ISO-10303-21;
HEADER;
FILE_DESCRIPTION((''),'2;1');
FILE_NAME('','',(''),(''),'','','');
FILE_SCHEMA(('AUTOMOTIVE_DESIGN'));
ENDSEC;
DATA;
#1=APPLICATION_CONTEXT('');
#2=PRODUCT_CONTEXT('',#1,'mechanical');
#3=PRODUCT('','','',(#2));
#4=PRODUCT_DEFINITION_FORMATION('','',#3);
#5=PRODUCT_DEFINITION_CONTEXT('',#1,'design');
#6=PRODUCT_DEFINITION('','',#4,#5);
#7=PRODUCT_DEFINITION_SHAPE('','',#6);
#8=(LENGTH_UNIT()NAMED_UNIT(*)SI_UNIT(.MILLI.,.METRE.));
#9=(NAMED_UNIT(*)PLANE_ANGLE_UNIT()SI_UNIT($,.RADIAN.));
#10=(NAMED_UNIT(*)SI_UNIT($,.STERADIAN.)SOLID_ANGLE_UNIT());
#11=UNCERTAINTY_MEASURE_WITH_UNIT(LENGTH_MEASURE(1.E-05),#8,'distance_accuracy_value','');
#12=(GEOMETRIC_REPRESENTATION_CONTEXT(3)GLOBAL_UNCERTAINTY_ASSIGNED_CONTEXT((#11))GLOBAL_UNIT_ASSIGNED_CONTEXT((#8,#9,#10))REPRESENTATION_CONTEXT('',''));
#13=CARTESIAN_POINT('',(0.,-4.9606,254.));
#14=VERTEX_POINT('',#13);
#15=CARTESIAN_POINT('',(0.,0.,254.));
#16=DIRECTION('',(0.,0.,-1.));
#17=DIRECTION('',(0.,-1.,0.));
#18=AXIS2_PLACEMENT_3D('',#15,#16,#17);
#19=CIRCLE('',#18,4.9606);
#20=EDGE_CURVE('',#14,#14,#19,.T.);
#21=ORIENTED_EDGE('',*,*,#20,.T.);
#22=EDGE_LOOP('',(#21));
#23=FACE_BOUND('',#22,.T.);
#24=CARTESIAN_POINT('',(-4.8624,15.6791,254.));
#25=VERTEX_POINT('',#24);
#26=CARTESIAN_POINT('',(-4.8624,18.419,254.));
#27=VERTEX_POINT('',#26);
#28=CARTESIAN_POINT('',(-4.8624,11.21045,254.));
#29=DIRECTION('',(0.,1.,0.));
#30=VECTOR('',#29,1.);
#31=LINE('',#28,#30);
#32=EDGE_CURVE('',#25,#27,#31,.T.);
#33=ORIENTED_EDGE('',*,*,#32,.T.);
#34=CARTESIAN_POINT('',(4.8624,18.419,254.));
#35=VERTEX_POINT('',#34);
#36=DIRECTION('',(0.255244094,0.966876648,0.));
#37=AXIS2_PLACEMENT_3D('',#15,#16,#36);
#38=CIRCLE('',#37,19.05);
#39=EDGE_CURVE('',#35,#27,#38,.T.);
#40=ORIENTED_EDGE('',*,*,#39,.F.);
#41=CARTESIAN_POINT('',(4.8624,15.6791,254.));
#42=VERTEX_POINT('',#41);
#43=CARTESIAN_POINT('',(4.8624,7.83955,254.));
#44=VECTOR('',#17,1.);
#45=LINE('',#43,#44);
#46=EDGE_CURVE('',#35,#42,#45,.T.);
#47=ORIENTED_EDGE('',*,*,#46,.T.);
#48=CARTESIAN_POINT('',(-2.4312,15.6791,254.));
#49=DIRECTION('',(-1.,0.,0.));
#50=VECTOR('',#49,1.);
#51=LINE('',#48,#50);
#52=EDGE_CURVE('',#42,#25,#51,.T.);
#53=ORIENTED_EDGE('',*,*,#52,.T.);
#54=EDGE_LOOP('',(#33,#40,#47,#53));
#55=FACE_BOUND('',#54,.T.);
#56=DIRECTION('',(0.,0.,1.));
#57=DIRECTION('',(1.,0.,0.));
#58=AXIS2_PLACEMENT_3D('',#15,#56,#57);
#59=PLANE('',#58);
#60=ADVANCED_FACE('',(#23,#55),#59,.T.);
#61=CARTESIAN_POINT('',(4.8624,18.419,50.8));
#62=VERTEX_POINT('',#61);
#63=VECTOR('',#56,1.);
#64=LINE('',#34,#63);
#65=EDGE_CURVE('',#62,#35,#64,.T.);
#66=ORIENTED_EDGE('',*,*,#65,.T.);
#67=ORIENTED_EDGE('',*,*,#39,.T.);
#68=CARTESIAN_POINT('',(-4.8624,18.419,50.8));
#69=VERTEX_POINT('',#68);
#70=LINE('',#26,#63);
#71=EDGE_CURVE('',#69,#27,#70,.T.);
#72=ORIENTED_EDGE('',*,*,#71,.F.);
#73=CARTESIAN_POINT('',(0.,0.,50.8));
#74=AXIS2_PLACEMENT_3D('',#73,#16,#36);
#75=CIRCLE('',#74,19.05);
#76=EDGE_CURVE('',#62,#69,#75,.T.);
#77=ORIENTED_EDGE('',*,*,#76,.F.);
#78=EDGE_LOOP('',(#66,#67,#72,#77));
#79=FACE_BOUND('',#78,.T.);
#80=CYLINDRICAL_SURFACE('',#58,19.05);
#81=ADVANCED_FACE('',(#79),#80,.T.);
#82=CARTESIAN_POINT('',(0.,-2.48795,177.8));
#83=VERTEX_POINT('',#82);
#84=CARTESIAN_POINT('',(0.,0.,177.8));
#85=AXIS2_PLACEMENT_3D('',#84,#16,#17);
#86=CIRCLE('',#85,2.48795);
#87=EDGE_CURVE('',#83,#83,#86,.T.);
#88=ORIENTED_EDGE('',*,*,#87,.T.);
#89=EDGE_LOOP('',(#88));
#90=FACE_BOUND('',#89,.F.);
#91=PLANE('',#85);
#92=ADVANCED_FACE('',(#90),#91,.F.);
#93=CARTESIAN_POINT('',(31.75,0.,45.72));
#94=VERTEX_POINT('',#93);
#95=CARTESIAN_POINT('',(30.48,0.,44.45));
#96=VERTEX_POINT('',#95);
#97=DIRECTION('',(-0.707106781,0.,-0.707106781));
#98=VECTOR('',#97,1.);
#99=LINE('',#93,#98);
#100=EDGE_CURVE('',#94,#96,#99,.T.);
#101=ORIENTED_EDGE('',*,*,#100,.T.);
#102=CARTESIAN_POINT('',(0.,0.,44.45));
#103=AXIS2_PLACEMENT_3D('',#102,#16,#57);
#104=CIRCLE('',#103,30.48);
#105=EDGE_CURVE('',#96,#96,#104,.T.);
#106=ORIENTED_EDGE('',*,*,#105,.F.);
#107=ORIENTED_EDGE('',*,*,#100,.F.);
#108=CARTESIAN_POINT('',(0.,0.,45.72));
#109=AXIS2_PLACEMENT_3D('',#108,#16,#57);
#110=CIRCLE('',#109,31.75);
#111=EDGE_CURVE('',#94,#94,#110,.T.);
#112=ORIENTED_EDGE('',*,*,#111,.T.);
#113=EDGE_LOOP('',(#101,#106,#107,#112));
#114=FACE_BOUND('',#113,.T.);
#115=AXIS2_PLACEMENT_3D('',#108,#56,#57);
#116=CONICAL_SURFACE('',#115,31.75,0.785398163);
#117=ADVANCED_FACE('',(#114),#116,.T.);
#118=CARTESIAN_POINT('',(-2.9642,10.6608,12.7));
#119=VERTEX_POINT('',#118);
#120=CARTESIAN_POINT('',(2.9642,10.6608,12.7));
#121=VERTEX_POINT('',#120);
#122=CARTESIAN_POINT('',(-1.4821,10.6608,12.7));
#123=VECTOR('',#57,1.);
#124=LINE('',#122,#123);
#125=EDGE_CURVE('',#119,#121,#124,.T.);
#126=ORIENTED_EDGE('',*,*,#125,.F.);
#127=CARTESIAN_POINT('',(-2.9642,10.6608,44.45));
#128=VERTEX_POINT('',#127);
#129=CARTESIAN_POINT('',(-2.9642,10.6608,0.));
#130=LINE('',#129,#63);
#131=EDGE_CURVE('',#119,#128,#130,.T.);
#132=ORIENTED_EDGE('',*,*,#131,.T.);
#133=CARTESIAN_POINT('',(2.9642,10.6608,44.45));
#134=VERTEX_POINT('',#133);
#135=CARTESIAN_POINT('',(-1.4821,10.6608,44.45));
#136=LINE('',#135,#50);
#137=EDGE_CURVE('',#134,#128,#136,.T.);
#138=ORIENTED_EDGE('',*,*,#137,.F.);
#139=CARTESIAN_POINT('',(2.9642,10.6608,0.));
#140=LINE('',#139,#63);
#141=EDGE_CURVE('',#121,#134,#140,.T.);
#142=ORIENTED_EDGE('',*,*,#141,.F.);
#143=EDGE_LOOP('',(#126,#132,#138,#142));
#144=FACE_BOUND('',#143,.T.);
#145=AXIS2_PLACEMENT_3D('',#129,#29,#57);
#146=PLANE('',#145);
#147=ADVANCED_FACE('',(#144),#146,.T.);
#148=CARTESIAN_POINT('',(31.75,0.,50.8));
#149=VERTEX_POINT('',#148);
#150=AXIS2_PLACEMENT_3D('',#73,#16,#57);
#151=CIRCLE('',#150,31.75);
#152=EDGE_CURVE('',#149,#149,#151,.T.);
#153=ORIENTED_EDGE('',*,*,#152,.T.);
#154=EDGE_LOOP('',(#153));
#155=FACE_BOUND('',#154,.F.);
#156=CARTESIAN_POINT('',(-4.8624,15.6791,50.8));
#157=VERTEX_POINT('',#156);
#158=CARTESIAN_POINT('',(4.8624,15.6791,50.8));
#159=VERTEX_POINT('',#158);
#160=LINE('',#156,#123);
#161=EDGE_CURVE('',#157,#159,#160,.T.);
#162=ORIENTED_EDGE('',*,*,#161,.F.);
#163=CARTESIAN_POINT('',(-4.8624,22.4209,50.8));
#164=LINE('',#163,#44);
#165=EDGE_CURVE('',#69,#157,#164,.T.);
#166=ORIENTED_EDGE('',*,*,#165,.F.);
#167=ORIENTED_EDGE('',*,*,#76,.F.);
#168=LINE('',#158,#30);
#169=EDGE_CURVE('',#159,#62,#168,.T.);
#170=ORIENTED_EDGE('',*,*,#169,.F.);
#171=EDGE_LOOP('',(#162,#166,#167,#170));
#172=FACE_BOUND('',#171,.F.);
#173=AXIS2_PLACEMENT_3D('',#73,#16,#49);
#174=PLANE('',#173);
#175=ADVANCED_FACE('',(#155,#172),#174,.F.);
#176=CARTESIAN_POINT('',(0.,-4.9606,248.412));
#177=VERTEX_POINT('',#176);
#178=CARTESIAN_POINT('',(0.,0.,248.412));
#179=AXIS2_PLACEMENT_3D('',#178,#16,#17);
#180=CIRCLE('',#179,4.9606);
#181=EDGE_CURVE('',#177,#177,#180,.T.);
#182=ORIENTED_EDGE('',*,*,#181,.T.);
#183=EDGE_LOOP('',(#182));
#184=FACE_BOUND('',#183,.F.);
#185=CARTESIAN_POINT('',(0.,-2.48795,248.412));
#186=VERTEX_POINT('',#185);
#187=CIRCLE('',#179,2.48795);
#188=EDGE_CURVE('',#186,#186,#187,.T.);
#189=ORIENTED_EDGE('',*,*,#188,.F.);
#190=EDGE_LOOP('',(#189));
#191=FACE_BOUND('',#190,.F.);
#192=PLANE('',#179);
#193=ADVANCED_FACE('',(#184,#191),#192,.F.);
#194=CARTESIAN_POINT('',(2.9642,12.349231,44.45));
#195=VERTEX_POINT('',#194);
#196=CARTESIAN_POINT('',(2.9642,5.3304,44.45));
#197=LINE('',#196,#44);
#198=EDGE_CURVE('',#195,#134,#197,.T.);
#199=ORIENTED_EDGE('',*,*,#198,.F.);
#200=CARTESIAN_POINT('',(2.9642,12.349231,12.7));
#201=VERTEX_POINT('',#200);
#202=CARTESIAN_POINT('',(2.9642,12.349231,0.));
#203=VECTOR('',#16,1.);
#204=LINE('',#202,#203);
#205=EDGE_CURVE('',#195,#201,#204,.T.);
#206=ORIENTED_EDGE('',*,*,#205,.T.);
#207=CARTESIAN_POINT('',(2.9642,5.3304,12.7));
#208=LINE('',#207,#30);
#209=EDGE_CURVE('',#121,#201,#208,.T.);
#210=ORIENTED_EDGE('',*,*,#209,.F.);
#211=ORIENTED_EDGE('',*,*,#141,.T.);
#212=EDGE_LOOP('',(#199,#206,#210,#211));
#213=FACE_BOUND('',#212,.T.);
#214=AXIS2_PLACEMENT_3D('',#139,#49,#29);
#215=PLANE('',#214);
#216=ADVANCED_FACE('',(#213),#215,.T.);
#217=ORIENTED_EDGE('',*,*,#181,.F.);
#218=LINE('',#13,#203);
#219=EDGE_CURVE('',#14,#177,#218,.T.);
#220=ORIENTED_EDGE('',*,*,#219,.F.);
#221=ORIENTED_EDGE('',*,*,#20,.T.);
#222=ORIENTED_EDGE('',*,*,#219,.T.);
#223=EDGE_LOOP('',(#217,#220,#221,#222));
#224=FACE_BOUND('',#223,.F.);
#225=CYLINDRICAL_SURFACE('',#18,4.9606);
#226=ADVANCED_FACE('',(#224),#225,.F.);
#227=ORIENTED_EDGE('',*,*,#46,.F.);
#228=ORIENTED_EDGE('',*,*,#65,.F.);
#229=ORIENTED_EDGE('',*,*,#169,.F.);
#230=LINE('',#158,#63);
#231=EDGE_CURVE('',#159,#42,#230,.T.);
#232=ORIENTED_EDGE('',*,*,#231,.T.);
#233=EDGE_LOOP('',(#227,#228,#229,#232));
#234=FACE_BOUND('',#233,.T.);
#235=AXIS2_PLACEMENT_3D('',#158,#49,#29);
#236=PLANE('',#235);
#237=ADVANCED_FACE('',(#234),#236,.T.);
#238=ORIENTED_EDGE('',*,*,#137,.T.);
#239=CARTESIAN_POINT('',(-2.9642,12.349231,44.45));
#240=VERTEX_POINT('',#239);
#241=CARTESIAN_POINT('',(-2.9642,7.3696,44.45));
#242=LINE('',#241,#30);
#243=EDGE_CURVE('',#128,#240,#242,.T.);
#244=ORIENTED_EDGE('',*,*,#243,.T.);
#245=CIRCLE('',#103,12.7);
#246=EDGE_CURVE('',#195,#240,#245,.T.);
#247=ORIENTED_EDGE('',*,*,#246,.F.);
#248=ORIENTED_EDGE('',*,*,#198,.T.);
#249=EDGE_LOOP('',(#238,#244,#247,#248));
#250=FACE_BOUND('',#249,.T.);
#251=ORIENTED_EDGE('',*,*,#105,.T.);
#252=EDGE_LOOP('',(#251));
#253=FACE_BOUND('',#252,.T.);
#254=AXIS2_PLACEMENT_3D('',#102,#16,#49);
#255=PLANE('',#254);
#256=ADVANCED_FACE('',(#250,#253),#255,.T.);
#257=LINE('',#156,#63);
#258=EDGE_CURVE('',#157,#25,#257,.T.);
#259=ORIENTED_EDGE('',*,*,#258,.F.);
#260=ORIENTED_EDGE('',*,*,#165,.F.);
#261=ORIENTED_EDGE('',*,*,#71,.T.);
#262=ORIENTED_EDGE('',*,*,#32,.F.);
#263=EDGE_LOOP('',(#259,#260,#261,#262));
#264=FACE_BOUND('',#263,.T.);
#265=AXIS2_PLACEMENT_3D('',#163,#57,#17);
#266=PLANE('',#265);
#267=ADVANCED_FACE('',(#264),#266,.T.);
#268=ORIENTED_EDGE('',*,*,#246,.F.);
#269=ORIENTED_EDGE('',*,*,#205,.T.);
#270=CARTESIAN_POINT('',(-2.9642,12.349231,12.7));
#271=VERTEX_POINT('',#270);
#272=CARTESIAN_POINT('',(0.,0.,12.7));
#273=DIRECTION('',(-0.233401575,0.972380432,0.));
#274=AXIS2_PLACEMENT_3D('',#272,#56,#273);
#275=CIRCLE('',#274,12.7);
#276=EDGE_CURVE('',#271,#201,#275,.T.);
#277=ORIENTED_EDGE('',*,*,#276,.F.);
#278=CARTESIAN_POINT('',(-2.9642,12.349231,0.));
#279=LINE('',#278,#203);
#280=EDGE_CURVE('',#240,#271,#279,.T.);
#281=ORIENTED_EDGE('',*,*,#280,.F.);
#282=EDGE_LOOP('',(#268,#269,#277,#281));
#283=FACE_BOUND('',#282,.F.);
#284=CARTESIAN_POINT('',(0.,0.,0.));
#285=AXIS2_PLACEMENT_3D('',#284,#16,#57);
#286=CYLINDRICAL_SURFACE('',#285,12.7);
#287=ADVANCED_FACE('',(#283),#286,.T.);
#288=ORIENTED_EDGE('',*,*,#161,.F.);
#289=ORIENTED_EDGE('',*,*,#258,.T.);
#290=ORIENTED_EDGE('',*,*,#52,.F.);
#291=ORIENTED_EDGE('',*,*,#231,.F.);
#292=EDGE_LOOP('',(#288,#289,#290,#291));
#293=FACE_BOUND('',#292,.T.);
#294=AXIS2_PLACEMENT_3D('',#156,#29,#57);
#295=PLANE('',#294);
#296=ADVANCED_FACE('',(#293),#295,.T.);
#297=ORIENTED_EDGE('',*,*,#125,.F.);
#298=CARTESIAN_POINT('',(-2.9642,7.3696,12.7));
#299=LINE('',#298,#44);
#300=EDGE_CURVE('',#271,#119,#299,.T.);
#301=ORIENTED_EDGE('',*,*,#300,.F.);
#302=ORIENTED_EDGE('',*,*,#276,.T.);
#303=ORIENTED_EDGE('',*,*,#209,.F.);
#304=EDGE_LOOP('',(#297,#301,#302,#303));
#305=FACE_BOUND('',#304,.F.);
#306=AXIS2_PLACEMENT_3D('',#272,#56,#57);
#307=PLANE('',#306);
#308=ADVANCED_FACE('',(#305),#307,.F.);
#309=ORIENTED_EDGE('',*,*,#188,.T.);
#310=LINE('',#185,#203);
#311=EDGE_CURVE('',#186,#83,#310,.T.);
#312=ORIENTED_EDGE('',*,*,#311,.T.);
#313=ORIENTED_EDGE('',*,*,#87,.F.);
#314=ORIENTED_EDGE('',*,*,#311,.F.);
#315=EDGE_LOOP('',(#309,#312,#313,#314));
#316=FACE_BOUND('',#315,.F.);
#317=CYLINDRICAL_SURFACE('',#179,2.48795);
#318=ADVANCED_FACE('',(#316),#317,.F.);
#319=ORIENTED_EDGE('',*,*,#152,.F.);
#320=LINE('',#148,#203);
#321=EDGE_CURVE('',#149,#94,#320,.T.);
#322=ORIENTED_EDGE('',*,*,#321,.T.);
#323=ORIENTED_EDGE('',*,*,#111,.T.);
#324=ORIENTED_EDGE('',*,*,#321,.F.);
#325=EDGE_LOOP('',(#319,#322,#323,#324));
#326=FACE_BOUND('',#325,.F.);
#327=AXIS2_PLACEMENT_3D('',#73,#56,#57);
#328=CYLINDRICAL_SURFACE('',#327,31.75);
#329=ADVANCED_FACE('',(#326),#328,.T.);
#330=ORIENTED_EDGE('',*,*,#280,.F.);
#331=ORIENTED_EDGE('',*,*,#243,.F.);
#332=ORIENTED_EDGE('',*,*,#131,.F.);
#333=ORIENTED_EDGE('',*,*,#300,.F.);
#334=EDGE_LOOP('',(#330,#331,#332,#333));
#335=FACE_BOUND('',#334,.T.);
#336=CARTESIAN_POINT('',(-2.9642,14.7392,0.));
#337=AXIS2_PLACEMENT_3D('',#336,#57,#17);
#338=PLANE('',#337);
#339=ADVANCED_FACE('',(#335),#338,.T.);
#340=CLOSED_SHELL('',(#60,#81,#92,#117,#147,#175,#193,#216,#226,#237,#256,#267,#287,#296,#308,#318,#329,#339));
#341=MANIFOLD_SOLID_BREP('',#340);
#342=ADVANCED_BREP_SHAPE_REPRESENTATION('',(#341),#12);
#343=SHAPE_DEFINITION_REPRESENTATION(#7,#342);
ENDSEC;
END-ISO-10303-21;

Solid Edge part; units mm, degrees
sketch "Sketch1" plane through (0, 0, 0) normal (0, 0, 1) x (1, 0, 0)
  circle A0 centre (0, 0) radius 12.7
extrude "Protrusion1" add sketch "Sketch1" along normal blind 254
sketch "Sketch2" plane through (0, 0, 254) normal (0, 0, 1) x (1, 0, 0)
  circle A0 centre (0, 0) radius 19.05
extrude "ExtrudedProtrusion_2" add sketch "Sketch2" against normal blind 203.2
sketch "Sketch3" plane through (0, 0, 0) normal (0, 0, -1) x (-1, 0, 0)
  line L0 (-2.9642, 14.7392) -> (2.9642, 14.7392)
  line L1 (2.9642, 14.7392) -> (2.9642, 10.6608)
  line L2 (2.9642, 10.6608) -> (-2.9642, 10.6608)
  line L3 (-2.9642, 10.6608) -> (-2.9642, 14.7392)
extrude "ExtrudedCutout_1" cut sketch "Sketch3" against normal blind 50.8
sketch "Sketch4" plane through (0, 0, 50.8) normal (0, 0, -1) x (-1, 0, 0)
  line L0 (-4.8624, 22.4209) -> (4.8624, 22.4209)
  line L1 (4.8624, 22.4209) -> (4.8624, 15.6791)
  line L2 (4.8624, 15.6791) -> (-4.8624, 15.6791)
  line L3 (-4.8624, 15.6791) -> (-4.8624, 22.4209)
extrude "ExtrudedCutout_2" cut sketch "Sketch4" against normal blind 224.5097
sketch "Sketch5" plane through (0, -0.3155, 50.8) normal (0, 0, -1) x (1, 0, 0)
  circle A0 centre (0, -0.3155) radius 31.75
extrude "ExtrudedProtrusion_3" add sketch "Sketch5" along normal blind 6.35
chamfer "Chamfer_1" distance 1.27 angle 45 1 edges at (-31.75, 0, 44.45)
hole "Hole_1" at (0, 0, 254) direction (0, 0, -1) diameter 4.9759 depth 76.2 counterbore diameter 9.9212 counterbore depth 5.588 thread major 6.35 thread length 50.8
sketch "Sketch6" plane through (0, 0, 0) normal (0, 0, 1) x (1, 0, 0)
  circle A0 centre (0, 0) radius 12.7
extrude "ExtrudedCutout_3" cut sketch "Sketch6" along normal blind 12.7
